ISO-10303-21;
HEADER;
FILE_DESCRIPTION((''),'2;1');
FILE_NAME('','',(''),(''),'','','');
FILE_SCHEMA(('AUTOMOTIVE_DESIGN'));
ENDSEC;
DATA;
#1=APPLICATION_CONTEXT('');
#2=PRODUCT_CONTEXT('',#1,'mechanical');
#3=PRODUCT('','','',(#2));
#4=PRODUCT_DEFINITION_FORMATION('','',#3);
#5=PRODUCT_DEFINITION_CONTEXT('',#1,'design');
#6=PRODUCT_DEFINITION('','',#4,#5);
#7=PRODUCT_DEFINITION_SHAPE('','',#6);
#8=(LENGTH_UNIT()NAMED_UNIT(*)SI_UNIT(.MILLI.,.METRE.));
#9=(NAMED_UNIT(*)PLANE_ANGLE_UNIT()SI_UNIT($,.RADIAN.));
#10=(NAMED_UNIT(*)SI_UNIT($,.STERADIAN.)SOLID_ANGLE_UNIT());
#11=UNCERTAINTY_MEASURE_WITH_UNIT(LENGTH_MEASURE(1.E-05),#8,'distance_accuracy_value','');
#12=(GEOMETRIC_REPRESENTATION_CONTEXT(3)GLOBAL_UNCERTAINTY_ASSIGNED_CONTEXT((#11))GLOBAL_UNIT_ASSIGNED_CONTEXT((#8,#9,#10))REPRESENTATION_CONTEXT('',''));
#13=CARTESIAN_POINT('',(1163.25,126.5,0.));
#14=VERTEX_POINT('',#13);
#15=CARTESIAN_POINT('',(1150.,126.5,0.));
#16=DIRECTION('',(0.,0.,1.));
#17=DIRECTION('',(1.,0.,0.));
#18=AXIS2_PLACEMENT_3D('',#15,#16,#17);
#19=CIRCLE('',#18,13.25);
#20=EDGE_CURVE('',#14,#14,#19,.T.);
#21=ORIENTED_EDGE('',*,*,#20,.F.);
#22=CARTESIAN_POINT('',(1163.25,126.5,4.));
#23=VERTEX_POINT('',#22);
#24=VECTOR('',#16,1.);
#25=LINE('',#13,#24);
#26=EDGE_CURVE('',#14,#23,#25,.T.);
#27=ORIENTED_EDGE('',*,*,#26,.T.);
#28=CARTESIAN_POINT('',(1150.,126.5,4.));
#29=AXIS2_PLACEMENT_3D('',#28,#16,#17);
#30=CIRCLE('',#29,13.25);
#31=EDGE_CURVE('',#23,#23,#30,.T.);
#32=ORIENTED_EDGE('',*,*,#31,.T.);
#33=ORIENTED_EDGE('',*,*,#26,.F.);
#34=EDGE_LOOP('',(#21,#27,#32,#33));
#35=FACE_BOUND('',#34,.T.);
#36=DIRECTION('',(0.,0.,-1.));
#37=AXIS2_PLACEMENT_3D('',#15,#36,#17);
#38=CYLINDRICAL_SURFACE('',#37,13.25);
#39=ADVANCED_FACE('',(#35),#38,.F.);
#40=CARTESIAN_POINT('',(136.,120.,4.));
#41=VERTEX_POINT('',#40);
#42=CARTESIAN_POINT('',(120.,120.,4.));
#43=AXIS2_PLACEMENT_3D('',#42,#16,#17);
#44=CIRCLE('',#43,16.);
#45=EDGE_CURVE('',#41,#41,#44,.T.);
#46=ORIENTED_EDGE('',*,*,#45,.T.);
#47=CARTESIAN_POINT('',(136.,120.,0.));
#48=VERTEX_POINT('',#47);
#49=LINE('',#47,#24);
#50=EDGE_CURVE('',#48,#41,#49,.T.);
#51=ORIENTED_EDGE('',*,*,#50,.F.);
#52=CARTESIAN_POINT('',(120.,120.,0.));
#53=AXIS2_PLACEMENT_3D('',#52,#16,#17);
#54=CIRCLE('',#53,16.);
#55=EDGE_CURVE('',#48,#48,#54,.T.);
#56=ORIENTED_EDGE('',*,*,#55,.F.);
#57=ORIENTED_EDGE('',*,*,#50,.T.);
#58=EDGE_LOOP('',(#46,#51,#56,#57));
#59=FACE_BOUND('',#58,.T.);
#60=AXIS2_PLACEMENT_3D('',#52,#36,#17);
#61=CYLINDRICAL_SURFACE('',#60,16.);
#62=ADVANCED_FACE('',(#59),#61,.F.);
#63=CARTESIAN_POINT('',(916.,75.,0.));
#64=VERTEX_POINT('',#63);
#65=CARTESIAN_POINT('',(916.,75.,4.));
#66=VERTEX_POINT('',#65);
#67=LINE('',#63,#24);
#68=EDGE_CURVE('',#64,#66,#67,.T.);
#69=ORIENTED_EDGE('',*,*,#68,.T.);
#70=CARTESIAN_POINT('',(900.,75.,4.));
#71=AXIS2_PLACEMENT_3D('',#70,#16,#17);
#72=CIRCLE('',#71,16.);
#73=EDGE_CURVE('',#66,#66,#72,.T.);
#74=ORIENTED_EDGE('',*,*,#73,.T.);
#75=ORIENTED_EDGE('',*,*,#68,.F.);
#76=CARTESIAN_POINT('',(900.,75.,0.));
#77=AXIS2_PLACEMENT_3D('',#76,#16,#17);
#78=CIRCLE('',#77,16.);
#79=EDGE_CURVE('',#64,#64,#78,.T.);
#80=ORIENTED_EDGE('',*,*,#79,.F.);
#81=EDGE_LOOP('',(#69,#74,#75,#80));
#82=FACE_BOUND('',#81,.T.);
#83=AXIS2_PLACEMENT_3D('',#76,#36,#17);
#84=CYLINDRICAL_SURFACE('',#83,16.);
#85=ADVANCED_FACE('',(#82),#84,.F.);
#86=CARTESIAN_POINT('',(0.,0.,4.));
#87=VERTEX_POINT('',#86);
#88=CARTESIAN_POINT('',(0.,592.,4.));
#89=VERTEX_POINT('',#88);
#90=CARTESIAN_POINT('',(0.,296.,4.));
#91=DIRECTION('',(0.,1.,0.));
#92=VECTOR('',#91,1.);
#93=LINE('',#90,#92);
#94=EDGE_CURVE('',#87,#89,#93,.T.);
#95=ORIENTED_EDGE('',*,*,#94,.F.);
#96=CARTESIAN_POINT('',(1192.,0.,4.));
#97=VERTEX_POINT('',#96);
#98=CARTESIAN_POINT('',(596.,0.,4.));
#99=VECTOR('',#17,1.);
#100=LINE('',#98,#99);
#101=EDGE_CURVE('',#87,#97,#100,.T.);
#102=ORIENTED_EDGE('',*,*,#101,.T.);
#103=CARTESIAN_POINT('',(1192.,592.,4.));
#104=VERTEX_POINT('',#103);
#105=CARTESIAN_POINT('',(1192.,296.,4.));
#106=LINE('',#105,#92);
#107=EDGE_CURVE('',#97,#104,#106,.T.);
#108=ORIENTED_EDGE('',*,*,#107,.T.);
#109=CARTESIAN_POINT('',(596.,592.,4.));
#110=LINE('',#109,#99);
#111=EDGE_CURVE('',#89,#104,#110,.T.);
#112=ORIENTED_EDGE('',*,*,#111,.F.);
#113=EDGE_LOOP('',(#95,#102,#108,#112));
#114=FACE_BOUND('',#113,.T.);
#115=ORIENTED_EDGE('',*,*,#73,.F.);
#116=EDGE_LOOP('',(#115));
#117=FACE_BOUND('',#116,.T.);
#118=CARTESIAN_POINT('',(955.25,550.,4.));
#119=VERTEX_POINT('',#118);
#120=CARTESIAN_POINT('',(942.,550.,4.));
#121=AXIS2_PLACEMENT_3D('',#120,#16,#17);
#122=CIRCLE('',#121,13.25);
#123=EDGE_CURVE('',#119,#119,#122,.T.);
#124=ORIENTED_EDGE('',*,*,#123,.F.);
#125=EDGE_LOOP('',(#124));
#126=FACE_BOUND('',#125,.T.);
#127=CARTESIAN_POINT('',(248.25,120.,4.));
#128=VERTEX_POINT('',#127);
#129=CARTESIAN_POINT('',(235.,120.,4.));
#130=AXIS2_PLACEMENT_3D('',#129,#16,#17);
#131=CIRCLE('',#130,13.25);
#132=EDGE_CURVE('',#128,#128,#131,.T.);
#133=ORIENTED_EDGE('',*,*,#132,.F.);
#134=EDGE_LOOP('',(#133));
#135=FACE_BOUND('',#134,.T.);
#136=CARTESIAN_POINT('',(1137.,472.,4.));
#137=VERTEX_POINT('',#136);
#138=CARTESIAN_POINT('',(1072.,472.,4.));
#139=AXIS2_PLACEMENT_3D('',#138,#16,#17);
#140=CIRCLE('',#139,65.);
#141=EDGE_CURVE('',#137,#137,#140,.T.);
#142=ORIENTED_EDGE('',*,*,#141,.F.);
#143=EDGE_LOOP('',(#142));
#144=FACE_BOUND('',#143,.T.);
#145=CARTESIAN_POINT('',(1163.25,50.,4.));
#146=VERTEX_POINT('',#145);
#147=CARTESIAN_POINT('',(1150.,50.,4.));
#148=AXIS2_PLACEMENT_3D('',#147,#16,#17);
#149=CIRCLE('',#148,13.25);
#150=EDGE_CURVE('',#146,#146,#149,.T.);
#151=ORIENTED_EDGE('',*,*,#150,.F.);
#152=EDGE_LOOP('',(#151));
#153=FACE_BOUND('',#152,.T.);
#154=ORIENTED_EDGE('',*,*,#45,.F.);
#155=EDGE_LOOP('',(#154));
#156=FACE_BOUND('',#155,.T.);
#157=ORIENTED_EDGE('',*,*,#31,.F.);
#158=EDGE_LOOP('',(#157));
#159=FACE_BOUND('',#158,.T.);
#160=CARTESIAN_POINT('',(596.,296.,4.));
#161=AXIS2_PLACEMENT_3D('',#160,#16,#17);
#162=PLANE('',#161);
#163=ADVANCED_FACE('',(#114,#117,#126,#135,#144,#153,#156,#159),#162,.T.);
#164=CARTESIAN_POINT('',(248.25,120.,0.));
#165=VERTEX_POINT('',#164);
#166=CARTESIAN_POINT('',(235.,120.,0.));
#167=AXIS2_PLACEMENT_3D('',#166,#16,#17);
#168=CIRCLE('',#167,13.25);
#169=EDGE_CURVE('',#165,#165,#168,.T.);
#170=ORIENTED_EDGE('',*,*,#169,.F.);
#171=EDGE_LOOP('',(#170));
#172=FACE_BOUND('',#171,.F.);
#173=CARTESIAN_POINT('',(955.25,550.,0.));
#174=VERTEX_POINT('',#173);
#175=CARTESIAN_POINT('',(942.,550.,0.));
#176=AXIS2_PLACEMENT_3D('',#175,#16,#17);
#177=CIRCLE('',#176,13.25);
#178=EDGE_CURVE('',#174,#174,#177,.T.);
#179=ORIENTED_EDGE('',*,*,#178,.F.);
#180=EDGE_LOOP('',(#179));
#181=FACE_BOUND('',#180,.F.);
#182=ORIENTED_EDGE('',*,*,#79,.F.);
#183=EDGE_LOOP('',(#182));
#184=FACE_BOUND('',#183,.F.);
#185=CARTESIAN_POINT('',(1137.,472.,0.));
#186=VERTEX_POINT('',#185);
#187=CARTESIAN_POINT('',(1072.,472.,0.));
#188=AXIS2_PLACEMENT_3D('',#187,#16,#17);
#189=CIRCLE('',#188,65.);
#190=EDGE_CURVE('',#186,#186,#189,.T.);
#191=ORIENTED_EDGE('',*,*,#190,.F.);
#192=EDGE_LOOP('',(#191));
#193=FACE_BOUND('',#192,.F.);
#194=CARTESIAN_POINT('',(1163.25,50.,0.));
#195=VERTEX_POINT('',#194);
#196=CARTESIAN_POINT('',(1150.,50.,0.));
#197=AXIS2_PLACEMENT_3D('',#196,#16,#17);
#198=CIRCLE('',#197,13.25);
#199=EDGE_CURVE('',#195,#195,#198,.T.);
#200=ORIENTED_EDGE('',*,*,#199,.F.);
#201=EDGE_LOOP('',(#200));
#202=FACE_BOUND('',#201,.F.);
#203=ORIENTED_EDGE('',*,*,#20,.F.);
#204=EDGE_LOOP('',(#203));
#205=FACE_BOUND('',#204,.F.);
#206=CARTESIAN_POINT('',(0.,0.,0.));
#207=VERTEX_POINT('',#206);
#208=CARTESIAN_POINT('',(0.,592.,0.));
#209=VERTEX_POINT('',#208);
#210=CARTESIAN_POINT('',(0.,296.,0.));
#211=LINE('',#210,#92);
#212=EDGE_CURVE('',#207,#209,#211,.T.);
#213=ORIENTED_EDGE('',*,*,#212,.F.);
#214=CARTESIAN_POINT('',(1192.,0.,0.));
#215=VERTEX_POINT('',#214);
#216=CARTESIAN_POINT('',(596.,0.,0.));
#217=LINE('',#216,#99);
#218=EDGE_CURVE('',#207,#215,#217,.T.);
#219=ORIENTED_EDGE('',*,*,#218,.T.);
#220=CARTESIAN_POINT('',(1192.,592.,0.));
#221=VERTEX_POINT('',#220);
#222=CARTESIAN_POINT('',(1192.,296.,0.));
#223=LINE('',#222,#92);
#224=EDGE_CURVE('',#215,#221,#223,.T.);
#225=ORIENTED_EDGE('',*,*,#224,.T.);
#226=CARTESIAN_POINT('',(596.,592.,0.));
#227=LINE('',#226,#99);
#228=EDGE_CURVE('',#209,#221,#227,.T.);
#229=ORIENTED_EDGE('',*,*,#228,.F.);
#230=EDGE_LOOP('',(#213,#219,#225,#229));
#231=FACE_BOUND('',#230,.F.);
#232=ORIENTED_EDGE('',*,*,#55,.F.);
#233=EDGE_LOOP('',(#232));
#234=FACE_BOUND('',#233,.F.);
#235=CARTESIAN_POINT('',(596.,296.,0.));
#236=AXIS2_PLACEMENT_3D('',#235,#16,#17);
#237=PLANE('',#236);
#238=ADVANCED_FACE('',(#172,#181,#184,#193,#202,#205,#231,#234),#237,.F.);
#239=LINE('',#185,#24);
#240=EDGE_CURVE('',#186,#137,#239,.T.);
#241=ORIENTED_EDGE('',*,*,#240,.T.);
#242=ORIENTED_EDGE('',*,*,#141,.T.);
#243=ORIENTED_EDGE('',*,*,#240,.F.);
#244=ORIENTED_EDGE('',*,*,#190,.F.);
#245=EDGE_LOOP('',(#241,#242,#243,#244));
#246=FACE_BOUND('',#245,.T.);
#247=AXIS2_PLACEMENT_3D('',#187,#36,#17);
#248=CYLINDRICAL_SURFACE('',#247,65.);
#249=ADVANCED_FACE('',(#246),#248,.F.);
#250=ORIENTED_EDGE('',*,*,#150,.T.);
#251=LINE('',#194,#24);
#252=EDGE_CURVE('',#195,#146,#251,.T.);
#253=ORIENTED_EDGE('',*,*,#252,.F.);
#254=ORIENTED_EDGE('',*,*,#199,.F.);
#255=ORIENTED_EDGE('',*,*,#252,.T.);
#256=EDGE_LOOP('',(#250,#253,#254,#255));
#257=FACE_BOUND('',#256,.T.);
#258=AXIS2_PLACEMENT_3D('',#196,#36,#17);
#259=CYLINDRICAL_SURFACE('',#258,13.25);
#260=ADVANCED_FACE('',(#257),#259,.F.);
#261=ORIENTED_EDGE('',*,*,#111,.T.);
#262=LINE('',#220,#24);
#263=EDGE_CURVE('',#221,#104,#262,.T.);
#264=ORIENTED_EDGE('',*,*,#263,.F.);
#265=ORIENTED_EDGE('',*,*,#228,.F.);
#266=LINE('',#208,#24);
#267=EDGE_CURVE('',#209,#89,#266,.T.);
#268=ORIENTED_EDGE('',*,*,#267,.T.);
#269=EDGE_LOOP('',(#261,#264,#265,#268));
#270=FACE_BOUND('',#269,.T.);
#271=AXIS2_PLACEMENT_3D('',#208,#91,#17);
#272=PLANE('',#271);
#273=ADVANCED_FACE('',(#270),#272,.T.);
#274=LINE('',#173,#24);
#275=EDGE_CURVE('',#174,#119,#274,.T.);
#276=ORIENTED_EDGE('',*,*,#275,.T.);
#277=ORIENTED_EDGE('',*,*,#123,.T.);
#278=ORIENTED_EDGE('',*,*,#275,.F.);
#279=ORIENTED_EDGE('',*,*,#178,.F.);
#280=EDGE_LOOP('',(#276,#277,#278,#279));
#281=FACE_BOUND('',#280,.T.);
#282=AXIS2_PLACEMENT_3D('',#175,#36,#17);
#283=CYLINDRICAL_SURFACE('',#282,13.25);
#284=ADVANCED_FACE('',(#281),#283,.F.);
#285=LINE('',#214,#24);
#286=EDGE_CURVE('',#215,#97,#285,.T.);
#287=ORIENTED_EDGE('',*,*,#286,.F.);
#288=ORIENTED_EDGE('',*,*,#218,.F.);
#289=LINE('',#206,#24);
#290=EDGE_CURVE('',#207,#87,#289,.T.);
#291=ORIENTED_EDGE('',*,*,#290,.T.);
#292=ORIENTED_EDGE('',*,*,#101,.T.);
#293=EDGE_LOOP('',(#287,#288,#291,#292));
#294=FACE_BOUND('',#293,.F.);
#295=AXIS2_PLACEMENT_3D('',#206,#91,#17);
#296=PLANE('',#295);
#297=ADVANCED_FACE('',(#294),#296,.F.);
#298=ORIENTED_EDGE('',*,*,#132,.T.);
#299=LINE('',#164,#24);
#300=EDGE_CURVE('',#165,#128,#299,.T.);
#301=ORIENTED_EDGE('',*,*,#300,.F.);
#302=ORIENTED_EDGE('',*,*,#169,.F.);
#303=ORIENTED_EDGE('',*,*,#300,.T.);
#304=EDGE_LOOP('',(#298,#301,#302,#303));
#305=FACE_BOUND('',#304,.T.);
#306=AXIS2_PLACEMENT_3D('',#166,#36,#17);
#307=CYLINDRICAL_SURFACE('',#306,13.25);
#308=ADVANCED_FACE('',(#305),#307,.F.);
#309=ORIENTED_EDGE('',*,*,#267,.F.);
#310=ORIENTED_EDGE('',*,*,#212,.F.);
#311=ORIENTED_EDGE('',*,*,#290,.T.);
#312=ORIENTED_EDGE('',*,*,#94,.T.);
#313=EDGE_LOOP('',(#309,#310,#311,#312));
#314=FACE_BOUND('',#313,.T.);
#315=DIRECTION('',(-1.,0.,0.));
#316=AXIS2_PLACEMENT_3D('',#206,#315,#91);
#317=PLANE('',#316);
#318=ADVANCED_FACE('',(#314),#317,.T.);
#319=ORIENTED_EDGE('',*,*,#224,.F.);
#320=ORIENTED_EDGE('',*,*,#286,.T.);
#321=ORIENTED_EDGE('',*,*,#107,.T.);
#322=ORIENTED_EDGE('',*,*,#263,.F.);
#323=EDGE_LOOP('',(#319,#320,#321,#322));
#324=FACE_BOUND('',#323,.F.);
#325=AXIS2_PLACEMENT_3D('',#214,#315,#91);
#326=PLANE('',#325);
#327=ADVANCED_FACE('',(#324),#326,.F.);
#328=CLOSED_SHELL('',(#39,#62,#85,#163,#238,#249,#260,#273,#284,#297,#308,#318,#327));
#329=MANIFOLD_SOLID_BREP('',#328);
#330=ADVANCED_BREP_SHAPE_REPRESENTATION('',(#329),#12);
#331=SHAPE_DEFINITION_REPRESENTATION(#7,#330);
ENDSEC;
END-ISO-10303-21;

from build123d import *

# Parameters (mm, degrees)
F0_W     = 1192
F0_H     = 592
F0_R     = 16
F0_R_2   = 13.25
F0_R_3   = 65
F1_DEPTH = 4


with BuildPart() as f1:
    # F0 (on Top) → F1 (new body)
    with BuildSketch(Plane.XY):
        with Locations((596, 296)):
            Rectangle(F0_W, F0_H)
        with Locations((120, 120)):
            Circle(F0_R, mode=Mode.SUBTRACT)
        with Locations((235, 120)):
            Circle(F0_R_2, mode=Mode.SUBTRACT)
        with Locations((1150, 50)):
            Circle(F0_R_2, mode=Mode.SUBTRACT)
        with Locations((900, 75)):
            Circle(F0_R, mode=Mode.SUBTRACT)
        with Locations((1150, 126.5)):
            Circle(F0_R_2, mode=Mode.SUBTRACT)
        with Locations((1072, 472)):
            Circle(F0_R_3, mode=Mode.SUBTRACT)
        with Locations((942, 550)):
            Circle(F0_R_2, mode=Mode.SUBTRACT)
    extrude(amount=F1_DEPTH)


solid = f1.part
